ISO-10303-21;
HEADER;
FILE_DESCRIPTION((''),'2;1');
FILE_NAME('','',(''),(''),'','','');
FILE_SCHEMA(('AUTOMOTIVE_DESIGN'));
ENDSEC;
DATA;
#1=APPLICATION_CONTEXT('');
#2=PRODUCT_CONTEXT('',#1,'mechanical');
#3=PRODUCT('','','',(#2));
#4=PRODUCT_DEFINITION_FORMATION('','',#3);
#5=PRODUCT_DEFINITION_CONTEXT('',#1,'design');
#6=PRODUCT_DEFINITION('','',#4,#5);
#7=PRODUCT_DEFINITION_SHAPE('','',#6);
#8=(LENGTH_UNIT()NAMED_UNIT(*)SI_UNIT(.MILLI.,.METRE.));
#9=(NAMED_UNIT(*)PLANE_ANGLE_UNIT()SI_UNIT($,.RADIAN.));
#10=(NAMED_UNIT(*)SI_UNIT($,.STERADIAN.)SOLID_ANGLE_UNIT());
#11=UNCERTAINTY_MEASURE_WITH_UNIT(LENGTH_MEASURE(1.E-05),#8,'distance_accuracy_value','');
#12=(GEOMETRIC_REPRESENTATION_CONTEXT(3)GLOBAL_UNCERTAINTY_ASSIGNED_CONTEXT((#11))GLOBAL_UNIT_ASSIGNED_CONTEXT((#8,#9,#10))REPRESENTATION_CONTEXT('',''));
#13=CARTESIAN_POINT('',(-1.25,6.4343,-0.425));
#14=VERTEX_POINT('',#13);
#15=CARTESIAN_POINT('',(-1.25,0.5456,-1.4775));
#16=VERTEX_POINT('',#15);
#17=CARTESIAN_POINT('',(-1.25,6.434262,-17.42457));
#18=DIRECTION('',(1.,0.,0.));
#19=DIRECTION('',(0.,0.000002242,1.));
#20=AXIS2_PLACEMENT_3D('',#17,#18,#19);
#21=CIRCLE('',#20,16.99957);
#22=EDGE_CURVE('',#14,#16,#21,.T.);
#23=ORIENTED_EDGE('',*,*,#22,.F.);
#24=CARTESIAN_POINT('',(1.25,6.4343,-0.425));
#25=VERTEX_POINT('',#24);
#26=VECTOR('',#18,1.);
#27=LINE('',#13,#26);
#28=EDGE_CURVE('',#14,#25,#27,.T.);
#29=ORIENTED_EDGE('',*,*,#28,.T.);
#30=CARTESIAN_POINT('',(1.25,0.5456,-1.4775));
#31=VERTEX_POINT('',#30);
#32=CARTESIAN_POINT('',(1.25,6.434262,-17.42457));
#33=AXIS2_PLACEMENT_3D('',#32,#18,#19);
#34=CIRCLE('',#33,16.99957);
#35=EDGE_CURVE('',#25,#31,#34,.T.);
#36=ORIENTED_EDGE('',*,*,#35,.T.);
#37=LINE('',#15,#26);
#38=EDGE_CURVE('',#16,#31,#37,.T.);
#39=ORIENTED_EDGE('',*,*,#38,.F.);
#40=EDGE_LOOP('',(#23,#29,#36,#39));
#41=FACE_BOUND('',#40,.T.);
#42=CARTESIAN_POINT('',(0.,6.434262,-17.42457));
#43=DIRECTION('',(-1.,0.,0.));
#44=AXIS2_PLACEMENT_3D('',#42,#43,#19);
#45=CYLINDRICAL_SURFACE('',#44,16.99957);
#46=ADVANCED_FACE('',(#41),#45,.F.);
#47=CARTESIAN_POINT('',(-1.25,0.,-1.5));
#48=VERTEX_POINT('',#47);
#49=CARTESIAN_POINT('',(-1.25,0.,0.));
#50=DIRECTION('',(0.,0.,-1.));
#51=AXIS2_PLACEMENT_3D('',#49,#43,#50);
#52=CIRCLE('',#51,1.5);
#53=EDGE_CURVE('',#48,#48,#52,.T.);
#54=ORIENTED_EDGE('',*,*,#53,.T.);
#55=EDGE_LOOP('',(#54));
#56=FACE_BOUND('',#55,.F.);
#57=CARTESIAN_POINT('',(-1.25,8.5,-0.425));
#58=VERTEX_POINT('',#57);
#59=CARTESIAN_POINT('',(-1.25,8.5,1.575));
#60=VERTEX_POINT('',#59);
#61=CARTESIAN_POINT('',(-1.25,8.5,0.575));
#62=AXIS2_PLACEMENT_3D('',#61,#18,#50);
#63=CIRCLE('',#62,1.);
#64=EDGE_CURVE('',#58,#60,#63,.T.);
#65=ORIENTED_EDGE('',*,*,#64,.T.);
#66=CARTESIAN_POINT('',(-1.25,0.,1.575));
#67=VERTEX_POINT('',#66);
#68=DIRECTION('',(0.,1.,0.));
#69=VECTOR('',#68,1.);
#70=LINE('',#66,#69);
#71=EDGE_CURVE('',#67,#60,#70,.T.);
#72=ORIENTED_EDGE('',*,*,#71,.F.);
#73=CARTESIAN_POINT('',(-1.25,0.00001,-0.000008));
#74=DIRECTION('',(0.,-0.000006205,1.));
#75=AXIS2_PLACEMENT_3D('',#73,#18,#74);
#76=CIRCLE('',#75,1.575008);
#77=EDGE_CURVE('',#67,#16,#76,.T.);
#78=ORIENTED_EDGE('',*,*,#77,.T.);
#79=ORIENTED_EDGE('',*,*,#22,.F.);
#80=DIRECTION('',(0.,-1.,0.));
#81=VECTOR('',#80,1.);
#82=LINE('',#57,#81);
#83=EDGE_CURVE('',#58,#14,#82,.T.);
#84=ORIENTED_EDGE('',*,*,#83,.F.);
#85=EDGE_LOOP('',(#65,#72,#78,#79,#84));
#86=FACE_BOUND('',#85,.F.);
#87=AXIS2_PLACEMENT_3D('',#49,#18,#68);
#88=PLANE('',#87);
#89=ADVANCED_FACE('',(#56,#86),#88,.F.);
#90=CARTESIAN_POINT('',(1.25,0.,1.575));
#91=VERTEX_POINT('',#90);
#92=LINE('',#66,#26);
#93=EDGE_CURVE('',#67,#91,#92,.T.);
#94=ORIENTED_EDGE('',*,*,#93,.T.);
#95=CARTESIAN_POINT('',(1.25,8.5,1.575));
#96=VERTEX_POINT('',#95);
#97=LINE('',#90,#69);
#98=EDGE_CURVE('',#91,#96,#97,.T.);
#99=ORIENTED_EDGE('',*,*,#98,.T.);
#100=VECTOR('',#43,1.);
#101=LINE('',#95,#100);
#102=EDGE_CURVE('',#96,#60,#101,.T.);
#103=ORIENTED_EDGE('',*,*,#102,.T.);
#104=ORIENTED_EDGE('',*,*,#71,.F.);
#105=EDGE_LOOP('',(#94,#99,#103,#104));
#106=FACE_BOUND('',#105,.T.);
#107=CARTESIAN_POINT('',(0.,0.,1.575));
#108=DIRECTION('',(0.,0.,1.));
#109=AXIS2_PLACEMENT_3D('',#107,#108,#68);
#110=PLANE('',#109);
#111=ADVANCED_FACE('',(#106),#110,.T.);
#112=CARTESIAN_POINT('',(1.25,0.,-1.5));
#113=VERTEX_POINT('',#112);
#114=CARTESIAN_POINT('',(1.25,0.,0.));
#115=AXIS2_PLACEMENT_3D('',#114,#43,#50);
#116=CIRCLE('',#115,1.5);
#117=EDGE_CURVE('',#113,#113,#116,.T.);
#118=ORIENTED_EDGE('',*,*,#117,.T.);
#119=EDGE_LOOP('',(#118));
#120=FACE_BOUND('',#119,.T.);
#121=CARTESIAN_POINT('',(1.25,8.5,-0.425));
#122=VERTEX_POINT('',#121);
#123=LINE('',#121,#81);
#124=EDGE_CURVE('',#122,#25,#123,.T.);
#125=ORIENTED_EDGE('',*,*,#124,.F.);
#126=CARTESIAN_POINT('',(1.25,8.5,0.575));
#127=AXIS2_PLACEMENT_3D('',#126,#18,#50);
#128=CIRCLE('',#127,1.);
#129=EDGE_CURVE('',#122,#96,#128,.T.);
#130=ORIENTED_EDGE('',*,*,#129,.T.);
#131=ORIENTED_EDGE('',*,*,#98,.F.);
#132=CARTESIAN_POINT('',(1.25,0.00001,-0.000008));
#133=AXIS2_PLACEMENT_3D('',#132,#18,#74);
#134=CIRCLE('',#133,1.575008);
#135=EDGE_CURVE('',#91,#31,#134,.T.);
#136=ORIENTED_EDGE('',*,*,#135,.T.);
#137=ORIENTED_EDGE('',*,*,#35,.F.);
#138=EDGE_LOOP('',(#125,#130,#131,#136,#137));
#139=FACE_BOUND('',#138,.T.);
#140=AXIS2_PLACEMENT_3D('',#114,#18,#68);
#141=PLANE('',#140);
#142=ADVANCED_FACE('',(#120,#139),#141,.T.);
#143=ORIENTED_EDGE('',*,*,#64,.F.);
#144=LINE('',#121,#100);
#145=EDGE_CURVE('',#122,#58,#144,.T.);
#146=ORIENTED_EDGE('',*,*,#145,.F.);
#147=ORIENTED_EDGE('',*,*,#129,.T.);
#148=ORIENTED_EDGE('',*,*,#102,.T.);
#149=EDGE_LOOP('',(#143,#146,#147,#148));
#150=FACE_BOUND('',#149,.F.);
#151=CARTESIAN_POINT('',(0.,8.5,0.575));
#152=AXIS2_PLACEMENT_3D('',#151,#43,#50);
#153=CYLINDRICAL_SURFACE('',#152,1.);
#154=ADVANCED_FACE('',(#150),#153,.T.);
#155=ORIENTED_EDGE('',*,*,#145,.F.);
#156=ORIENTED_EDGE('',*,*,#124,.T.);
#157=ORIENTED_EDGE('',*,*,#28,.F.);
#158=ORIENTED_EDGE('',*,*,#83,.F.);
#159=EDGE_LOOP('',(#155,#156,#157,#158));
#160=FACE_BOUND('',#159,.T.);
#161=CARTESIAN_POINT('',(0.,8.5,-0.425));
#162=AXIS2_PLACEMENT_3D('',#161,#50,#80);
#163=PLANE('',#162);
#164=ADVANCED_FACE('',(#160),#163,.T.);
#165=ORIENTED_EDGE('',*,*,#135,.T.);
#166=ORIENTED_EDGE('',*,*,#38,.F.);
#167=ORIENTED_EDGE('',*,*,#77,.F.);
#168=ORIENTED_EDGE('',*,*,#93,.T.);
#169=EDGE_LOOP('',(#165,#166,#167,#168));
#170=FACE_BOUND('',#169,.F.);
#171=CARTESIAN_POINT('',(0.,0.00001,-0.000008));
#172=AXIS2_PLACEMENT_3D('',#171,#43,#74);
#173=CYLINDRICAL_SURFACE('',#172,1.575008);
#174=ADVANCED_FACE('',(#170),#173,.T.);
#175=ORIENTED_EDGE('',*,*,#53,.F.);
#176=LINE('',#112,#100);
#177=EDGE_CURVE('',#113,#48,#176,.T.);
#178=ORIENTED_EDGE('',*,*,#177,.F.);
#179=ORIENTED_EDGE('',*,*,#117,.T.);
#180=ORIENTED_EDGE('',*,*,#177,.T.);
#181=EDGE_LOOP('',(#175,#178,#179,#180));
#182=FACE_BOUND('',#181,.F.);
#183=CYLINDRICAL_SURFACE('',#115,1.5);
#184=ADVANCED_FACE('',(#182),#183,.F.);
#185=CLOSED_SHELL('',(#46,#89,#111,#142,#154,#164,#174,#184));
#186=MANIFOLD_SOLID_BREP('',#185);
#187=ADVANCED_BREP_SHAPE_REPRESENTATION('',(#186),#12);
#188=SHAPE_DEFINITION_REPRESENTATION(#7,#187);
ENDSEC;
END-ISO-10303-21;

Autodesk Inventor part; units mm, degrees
ref_plane "YZ Plane" through (0, 0, 0) normal (1, 0, 0) x (0, 1, 0)
ref_plane "XZ Plane" through (0, 0, 0) normal (0, 1, 0) x (-1, 0, 0)
ref_plane "XY Plane" through (0, 0, 0) normal (0, 0, 1) x (1, 0, 0)
sketch "Sketch1" plane through (0, 0, 0) normal (1, 0, 0) x (0, 1, 0)
  arc A0 (0, 1.575) -> (0.5456, -1.4775) centre (0, 0) ccw
  line L0 (0, 1.575) -> (8.5, 1.575)
  arc A1 (8.5, -0.425) -> (8.5, 1.575) centre (8.5, 0.575) ccw
  line L1 (8.5, -0.425) -> (6.4343, -0.425)
  arc A2 (6.4343, -0.425) -> (0.5456, -1.4775) centre (6.4343, -17.425) ccw
  dimension "d0" = 3.15
  dimension "d1" = 1
  dimension "d2" = 8.5
  dimension "d4" = 17
  dimension "d5" = 0.575
extrude "Extrusion1" add sketch "Sketch1" along normal mid plane 2.5
sketch "Sketch2" plane through (1.25, 0, 0) normal (1, 0, 0) x (0, 0, -1)
  arc A0 (-1.575, 0) -> (1.4775, 0.5456) centre (0, 0) ccw projected
hole "Hole1" at (1.25, 0, 0) direction (-1, 0, 0) diameter 3 end through all
properties part number "Strap connector thing (1)" material "Aluminum 6061"
